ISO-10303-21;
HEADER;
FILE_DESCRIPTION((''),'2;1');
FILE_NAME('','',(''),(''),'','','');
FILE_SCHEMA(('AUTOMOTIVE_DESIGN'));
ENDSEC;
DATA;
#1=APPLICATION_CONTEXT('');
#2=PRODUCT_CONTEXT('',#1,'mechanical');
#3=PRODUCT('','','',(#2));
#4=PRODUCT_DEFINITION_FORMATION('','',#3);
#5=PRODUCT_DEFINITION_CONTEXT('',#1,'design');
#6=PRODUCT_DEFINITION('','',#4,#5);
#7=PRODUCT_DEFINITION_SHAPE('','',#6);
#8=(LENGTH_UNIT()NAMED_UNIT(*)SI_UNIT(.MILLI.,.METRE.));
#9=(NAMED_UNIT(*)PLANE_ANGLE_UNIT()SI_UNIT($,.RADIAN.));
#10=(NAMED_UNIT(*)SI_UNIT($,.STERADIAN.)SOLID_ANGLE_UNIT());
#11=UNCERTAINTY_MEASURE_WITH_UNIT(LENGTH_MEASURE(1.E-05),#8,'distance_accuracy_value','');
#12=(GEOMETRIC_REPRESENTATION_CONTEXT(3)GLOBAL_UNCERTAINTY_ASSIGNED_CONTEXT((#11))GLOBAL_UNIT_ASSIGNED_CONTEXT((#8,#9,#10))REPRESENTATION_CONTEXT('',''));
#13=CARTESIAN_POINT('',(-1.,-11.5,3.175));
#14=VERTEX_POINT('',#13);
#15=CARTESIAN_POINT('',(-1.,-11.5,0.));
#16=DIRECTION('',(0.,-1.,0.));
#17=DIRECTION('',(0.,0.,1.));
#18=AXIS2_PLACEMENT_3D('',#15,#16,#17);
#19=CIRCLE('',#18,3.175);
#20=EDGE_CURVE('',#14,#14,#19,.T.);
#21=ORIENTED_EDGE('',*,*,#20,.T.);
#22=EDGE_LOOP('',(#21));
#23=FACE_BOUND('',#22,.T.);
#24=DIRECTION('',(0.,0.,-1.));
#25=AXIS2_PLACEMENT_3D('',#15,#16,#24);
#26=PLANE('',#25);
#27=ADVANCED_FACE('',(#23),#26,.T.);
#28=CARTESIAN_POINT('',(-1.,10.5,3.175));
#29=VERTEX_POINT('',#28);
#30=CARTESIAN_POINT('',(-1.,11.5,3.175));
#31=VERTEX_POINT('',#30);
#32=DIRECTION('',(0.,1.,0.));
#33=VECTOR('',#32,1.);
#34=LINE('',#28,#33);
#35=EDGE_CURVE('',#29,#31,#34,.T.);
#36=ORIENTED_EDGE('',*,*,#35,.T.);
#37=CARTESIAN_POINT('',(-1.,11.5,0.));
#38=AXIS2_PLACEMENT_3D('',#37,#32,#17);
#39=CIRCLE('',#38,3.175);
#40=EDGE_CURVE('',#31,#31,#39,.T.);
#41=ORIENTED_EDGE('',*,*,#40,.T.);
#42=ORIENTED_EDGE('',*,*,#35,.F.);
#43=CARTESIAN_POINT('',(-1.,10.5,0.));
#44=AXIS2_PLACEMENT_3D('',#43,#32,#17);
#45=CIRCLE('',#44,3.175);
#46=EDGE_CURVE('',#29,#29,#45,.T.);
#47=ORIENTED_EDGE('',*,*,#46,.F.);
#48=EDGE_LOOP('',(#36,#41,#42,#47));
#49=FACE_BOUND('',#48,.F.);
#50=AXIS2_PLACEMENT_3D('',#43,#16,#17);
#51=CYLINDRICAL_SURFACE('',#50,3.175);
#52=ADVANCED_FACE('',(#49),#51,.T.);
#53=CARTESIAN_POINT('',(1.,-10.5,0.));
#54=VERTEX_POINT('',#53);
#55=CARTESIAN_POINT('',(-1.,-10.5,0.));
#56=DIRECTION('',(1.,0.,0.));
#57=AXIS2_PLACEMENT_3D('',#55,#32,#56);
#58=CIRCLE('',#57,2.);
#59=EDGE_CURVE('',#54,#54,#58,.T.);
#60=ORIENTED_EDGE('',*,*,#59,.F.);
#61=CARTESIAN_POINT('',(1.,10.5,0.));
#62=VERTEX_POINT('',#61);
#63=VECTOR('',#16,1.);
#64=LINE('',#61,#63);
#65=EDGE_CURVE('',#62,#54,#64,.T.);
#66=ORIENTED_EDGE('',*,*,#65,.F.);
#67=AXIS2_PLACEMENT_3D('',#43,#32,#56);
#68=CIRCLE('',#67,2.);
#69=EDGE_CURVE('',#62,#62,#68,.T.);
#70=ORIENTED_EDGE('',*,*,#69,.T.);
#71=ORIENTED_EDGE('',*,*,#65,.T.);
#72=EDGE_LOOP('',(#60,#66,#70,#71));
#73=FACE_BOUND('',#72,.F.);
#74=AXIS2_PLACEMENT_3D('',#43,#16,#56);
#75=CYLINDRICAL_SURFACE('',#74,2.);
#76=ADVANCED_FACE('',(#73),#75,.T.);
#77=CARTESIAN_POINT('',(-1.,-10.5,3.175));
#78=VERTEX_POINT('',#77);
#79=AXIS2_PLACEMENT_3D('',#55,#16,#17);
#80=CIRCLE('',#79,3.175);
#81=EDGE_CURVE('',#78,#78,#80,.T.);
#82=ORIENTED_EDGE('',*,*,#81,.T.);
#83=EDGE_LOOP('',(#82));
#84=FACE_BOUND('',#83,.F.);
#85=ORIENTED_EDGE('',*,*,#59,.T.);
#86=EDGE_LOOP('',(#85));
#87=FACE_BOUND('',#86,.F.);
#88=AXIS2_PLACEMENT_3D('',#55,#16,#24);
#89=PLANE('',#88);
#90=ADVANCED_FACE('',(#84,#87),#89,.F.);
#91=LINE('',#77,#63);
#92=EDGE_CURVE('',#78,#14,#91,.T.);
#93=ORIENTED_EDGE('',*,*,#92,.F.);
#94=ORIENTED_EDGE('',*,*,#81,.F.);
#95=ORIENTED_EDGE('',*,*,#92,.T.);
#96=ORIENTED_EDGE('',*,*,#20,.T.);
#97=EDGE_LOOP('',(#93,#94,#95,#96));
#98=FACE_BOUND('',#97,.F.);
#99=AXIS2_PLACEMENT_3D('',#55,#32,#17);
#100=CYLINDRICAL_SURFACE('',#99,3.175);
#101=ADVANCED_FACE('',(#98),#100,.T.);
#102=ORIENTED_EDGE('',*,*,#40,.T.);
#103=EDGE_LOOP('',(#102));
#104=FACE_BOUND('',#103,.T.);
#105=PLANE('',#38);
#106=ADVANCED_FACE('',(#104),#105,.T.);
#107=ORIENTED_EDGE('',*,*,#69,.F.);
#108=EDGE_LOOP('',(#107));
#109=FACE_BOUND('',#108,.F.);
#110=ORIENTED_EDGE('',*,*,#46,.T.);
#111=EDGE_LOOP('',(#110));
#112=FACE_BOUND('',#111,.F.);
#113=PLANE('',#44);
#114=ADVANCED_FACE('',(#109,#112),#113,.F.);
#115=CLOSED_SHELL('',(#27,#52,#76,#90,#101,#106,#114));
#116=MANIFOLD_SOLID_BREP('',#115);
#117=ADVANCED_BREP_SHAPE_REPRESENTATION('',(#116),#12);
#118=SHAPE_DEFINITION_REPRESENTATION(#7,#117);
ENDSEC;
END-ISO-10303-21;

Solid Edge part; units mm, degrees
sketch "Sketch1" plane through (0, 0, 0) normal (0, 0, -1) x (-1, 0, 0)
  line L0 (1, -10.5) -> (1, 10.5)
  line L1 (1, 10.5) -> (-1, 10.5)
  line L2 (-1, 10.5) -> (-1, -10.5)
  line L3 (-1, -10.5) -> (1, -10.5)
revolve "RevolvedProtrusion1" add sketch "Sketch1" angle 360 about axis through (-1, -10.5, 0) along (0, 1, 0)
sketch "Sketch2" plane through (-1, 10.5, 0) normal (0, 1, 0) x (0, 0, 1)
  circle A0 centre (0, 0) radius 3.175
extrude "Protrusion1" add sketch "Sketch2" along normal blind 1
sketch "Sketch3" plane through (-1, -10.5, 0) normal (0, -1, 0) x (0, 0, 1)
  circle A0 centre (0, 0) radius 3.175
extrude "Protrusão_Extrudada_12" add sketch "Sketch3" along normal blind 1
